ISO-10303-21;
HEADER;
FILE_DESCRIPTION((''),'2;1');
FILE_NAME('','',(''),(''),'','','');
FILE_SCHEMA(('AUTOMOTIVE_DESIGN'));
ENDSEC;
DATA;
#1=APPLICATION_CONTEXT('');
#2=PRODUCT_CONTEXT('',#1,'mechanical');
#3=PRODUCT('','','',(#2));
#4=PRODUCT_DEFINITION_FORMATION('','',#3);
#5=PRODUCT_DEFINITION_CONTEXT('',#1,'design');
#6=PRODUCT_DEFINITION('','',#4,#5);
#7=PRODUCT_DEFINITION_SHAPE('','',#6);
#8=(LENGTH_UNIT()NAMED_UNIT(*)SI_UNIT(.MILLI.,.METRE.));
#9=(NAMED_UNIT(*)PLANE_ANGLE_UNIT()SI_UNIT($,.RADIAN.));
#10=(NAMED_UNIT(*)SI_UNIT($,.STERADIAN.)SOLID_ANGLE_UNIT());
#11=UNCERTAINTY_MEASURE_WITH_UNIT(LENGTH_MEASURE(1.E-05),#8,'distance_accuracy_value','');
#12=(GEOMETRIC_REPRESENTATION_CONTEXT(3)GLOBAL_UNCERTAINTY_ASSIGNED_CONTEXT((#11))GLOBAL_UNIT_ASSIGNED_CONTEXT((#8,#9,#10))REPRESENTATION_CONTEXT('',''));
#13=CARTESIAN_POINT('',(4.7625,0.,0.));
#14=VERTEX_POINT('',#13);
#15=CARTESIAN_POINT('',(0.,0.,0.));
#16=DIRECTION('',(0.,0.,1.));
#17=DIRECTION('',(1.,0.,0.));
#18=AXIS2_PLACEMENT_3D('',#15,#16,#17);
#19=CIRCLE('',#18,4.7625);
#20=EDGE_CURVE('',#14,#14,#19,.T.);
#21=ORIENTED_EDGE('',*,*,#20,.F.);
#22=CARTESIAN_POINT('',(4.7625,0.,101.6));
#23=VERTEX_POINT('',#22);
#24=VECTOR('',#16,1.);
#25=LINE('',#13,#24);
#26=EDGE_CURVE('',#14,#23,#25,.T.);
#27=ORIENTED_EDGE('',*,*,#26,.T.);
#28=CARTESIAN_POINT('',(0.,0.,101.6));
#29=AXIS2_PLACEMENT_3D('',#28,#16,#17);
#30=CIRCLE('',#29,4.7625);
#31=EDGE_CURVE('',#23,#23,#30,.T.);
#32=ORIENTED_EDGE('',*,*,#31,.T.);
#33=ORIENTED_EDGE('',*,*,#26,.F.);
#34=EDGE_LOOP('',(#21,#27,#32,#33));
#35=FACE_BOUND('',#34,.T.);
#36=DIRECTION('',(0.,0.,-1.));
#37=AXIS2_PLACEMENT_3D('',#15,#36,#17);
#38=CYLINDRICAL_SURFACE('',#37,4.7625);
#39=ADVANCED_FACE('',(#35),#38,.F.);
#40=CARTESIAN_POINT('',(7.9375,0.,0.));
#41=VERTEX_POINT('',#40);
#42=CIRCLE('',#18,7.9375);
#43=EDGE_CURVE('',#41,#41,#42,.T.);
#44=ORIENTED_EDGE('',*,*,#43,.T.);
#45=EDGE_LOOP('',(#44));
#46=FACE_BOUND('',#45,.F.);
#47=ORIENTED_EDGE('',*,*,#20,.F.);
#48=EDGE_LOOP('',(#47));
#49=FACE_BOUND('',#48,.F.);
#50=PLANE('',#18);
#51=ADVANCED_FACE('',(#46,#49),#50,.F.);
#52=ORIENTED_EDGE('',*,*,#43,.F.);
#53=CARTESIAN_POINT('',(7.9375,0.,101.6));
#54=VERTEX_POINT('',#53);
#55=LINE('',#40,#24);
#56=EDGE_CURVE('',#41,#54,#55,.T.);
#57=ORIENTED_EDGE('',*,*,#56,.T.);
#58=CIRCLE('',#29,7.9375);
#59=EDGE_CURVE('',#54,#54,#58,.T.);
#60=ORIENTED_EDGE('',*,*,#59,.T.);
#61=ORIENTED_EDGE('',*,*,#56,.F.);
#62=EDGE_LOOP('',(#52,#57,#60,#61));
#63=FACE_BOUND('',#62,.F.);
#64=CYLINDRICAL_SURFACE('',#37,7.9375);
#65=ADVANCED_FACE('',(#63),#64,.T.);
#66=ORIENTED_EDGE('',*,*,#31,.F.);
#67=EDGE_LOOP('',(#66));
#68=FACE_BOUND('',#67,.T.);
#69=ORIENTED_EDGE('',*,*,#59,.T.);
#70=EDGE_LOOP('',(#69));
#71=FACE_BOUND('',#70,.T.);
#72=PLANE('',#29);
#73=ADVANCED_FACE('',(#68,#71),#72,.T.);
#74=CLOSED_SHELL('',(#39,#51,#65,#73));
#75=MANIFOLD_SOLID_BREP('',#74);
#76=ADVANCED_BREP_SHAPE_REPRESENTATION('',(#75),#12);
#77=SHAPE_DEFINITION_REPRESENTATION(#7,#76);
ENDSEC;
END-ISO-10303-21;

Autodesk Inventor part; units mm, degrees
ref_plane "YZ Plane" through (0, 0, 0) normal (1, 0, 0) x (0, 1, 0)
ref_plane "XZ Plane" through (0, 0, 0) normal (0, 1, 0) x (-1, 0, 0)
ref_plane "XY Plane" through (0, 0, 0) normal (0, 0, 1) x (1, 0, 0)
sketch "Sketch1" plane through (0, 0, 0) normal (0, 0, 1) x (1, 0, 0)
  circle A0 centre (0, 0) radius 4.7625
  circle A1 centre (0, 0) radius 7.9375
  dimension "d0" = 9.525
  dimension "d1" = 15.875
extrude "Extrusion1" add sketch "Sketch1" along normal blind 101.6
properties part number "Side Electrical Board Polycarbonate Spacer" material "Polycarbonate, Clear"
